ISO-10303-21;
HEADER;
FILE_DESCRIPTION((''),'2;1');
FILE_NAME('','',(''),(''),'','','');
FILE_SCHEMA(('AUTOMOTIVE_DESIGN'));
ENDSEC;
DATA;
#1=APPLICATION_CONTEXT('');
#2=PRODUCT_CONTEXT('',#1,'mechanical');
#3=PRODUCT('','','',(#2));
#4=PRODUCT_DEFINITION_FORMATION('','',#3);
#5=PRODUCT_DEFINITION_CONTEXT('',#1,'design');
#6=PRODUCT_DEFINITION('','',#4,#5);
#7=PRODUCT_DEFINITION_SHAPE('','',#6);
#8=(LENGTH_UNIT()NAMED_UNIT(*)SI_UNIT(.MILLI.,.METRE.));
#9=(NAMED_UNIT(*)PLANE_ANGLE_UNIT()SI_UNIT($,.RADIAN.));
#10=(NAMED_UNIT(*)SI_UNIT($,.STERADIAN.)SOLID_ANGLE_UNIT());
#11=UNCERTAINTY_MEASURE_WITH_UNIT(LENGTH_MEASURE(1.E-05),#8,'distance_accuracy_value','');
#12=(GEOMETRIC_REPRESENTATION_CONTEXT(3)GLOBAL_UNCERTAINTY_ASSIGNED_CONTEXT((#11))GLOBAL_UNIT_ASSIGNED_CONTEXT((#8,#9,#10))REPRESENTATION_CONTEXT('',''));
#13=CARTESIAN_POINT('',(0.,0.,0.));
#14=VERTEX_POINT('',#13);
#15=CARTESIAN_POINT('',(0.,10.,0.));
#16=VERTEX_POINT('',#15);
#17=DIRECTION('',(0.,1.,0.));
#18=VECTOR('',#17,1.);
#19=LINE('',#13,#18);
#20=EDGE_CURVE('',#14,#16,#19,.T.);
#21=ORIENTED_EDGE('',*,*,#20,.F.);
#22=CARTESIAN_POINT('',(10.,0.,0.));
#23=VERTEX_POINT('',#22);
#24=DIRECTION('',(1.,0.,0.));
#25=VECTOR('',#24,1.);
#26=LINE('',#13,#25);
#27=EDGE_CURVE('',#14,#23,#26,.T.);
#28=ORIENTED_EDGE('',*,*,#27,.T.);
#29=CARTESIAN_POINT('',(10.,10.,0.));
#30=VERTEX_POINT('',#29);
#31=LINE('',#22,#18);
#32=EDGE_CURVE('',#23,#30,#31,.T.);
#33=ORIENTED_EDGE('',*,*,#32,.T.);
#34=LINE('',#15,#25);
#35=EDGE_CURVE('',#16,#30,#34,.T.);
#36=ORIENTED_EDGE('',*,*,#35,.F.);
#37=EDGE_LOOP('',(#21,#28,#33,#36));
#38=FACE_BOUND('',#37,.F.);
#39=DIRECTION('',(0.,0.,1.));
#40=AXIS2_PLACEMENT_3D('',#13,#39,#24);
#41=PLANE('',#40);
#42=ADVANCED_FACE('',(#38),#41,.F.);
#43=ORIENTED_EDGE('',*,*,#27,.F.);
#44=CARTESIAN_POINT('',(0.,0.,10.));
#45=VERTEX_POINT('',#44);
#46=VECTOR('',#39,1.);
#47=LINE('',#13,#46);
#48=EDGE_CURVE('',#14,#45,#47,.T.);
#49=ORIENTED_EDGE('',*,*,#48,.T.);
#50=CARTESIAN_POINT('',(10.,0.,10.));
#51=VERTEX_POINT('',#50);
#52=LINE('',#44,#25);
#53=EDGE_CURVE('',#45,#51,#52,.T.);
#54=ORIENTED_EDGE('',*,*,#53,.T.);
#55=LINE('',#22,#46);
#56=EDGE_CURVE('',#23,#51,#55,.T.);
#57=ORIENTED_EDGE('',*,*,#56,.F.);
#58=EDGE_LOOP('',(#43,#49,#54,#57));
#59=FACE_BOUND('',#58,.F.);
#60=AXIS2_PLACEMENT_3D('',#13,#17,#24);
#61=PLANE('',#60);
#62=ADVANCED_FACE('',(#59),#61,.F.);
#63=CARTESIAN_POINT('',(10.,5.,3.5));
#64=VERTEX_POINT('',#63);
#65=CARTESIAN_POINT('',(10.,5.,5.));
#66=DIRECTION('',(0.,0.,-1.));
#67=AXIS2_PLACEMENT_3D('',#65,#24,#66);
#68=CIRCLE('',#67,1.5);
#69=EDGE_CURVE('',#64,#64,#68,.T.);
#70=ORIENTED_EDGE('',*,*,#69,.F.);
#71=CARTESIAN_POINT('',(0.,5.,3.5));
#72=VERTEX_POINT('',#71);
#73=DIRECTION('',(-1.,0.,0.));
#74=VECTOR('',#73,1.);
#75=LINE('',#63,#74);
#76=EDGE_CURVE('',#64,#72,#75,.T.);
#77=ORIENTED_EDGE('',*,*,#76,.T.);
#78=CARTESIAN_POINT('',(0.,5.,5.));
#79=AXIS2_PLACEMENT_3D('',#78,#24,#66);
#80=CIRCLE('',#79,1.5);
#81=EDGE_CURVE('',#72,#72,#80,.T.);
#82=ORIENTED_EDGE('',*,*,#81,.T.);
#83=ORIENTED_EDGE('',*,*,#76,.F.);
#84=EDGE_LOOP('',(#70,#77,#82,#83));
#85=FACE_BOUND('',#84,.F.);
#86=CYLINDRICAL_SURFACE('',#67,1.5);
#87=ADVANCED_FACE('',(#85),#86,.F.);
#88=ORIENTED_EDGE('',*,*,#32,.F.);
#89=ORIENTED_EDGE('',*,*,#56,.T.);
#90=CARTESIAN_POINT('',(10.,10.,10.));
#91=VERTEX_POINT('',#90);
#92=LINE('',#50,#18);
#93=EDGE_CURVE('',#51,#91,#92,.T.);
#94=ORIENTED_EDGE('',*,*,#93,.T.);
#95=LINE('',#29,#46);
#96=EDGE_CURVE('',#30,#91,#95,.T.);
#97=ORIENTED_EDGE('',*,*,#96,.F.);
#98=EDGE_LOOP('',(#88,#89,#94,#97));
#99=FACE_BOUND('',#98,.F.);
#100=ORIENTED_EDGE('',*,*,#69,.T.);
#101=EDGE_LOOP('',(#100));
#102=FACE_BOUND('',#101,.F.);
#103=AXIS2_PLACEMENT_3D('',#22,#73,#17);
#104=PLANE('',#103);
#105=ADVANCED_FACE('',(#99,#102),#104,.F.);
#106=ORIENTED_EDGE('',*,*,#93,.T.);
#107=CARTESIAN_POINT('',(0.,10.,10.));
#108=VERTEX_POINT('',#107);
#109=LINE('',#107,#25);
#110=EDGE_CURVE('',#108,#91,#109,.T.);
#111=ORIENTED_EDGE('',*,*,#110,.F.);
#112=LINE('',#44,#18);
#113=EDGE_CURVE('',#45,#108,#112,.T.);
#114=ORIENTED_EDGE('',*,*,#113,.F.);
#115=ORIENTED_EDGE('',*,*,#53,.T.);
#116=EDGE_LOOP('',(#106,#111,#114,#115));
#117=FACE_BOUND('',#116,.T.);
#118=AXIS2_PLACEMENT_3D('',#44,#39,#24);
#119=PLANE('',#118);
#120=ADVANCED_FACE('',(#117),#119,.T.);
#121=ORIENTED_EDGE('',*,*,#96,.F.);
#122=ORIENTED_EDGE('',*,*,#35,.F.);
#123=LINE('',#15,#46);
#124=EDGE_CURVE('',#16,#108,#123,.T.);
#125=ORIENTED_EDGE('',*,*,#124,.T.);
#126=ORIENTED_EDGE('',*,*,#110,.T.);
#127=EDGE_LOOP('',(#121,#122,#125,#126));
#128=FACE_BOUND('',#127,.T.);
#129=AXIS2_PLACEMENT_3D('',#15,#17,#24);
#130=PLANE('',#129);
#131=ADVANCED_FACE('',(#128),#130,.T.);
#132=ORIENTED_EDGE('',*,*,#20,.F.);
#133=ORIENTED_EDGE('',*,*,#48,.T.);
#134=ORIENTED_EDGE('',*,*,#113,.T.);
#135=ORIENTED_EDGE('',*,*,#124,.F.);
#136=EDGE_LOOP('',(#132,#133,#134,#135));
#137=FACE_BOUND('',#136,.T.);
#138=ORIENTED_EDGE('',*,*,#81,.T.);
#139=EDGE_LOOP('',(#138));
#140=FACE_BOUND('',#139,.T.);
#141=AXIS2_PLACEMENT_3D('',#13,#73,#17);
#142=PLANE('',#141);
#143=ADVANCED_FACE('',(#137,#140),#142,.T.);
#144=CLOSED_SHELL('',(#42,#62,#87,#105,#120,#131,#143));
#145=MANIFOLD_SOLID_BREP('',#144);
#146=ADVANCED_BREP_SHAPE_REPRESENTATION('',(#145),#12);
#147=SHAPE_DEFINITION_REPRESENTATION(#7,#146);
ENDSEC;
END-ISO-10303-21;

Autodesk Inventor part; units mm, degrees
ref_plane "YZ Plane" through (0, 0, 0) normal (1, 0, 0) x (0, 1, 0)
ref_plane "XZ Plane" through (0, 0, 0) normal (0, 1, 0) x (-1, 0, 0)
ref_plane "XY Plane" through (0, 0, 0) normal (0, 0, 1) x (1, 0, 0)
sketch "Sketch1" plane through (0, 0, 0) normal (0, 0, 1) x (1, 0, 0)
  line L0 (0, 0) -> (10, 0)
  line L1 (-2, 0) -> (12, 0) construction
  line L2 (0, 0) -> (0, 10)
  line L3 (10, 0) -> (10, 10)
  line L4 (0, 10) -> (10, 10)
  dimension "d0" = 10
  dimension "d1" = 10
  dimension "d2" = 10
extrude "Extrusion1" add sketch "Sketch1" along normal blind 10
sketch "Sketch2" plane through (10, 0, 0) normal (1, 0, 0) x (0, 0, -1)
  circle A0 centre (-5, 5) radius 1.5
  line L0 (-10, 0) -> (-10, 10) projected
  line L1 (0, 0) -> (-10, 0) projected
  point P0 (-10, 5)
  point P1 (-5, 0)
  dimension "d5" = 3
extrude "Extrusion2" cut sketch "Sketch2" against normal up to surface (10 mm away)
equation "\"d1\" = d0"
equation "\"d2\" = d1"
properties part number "01Cubo"
